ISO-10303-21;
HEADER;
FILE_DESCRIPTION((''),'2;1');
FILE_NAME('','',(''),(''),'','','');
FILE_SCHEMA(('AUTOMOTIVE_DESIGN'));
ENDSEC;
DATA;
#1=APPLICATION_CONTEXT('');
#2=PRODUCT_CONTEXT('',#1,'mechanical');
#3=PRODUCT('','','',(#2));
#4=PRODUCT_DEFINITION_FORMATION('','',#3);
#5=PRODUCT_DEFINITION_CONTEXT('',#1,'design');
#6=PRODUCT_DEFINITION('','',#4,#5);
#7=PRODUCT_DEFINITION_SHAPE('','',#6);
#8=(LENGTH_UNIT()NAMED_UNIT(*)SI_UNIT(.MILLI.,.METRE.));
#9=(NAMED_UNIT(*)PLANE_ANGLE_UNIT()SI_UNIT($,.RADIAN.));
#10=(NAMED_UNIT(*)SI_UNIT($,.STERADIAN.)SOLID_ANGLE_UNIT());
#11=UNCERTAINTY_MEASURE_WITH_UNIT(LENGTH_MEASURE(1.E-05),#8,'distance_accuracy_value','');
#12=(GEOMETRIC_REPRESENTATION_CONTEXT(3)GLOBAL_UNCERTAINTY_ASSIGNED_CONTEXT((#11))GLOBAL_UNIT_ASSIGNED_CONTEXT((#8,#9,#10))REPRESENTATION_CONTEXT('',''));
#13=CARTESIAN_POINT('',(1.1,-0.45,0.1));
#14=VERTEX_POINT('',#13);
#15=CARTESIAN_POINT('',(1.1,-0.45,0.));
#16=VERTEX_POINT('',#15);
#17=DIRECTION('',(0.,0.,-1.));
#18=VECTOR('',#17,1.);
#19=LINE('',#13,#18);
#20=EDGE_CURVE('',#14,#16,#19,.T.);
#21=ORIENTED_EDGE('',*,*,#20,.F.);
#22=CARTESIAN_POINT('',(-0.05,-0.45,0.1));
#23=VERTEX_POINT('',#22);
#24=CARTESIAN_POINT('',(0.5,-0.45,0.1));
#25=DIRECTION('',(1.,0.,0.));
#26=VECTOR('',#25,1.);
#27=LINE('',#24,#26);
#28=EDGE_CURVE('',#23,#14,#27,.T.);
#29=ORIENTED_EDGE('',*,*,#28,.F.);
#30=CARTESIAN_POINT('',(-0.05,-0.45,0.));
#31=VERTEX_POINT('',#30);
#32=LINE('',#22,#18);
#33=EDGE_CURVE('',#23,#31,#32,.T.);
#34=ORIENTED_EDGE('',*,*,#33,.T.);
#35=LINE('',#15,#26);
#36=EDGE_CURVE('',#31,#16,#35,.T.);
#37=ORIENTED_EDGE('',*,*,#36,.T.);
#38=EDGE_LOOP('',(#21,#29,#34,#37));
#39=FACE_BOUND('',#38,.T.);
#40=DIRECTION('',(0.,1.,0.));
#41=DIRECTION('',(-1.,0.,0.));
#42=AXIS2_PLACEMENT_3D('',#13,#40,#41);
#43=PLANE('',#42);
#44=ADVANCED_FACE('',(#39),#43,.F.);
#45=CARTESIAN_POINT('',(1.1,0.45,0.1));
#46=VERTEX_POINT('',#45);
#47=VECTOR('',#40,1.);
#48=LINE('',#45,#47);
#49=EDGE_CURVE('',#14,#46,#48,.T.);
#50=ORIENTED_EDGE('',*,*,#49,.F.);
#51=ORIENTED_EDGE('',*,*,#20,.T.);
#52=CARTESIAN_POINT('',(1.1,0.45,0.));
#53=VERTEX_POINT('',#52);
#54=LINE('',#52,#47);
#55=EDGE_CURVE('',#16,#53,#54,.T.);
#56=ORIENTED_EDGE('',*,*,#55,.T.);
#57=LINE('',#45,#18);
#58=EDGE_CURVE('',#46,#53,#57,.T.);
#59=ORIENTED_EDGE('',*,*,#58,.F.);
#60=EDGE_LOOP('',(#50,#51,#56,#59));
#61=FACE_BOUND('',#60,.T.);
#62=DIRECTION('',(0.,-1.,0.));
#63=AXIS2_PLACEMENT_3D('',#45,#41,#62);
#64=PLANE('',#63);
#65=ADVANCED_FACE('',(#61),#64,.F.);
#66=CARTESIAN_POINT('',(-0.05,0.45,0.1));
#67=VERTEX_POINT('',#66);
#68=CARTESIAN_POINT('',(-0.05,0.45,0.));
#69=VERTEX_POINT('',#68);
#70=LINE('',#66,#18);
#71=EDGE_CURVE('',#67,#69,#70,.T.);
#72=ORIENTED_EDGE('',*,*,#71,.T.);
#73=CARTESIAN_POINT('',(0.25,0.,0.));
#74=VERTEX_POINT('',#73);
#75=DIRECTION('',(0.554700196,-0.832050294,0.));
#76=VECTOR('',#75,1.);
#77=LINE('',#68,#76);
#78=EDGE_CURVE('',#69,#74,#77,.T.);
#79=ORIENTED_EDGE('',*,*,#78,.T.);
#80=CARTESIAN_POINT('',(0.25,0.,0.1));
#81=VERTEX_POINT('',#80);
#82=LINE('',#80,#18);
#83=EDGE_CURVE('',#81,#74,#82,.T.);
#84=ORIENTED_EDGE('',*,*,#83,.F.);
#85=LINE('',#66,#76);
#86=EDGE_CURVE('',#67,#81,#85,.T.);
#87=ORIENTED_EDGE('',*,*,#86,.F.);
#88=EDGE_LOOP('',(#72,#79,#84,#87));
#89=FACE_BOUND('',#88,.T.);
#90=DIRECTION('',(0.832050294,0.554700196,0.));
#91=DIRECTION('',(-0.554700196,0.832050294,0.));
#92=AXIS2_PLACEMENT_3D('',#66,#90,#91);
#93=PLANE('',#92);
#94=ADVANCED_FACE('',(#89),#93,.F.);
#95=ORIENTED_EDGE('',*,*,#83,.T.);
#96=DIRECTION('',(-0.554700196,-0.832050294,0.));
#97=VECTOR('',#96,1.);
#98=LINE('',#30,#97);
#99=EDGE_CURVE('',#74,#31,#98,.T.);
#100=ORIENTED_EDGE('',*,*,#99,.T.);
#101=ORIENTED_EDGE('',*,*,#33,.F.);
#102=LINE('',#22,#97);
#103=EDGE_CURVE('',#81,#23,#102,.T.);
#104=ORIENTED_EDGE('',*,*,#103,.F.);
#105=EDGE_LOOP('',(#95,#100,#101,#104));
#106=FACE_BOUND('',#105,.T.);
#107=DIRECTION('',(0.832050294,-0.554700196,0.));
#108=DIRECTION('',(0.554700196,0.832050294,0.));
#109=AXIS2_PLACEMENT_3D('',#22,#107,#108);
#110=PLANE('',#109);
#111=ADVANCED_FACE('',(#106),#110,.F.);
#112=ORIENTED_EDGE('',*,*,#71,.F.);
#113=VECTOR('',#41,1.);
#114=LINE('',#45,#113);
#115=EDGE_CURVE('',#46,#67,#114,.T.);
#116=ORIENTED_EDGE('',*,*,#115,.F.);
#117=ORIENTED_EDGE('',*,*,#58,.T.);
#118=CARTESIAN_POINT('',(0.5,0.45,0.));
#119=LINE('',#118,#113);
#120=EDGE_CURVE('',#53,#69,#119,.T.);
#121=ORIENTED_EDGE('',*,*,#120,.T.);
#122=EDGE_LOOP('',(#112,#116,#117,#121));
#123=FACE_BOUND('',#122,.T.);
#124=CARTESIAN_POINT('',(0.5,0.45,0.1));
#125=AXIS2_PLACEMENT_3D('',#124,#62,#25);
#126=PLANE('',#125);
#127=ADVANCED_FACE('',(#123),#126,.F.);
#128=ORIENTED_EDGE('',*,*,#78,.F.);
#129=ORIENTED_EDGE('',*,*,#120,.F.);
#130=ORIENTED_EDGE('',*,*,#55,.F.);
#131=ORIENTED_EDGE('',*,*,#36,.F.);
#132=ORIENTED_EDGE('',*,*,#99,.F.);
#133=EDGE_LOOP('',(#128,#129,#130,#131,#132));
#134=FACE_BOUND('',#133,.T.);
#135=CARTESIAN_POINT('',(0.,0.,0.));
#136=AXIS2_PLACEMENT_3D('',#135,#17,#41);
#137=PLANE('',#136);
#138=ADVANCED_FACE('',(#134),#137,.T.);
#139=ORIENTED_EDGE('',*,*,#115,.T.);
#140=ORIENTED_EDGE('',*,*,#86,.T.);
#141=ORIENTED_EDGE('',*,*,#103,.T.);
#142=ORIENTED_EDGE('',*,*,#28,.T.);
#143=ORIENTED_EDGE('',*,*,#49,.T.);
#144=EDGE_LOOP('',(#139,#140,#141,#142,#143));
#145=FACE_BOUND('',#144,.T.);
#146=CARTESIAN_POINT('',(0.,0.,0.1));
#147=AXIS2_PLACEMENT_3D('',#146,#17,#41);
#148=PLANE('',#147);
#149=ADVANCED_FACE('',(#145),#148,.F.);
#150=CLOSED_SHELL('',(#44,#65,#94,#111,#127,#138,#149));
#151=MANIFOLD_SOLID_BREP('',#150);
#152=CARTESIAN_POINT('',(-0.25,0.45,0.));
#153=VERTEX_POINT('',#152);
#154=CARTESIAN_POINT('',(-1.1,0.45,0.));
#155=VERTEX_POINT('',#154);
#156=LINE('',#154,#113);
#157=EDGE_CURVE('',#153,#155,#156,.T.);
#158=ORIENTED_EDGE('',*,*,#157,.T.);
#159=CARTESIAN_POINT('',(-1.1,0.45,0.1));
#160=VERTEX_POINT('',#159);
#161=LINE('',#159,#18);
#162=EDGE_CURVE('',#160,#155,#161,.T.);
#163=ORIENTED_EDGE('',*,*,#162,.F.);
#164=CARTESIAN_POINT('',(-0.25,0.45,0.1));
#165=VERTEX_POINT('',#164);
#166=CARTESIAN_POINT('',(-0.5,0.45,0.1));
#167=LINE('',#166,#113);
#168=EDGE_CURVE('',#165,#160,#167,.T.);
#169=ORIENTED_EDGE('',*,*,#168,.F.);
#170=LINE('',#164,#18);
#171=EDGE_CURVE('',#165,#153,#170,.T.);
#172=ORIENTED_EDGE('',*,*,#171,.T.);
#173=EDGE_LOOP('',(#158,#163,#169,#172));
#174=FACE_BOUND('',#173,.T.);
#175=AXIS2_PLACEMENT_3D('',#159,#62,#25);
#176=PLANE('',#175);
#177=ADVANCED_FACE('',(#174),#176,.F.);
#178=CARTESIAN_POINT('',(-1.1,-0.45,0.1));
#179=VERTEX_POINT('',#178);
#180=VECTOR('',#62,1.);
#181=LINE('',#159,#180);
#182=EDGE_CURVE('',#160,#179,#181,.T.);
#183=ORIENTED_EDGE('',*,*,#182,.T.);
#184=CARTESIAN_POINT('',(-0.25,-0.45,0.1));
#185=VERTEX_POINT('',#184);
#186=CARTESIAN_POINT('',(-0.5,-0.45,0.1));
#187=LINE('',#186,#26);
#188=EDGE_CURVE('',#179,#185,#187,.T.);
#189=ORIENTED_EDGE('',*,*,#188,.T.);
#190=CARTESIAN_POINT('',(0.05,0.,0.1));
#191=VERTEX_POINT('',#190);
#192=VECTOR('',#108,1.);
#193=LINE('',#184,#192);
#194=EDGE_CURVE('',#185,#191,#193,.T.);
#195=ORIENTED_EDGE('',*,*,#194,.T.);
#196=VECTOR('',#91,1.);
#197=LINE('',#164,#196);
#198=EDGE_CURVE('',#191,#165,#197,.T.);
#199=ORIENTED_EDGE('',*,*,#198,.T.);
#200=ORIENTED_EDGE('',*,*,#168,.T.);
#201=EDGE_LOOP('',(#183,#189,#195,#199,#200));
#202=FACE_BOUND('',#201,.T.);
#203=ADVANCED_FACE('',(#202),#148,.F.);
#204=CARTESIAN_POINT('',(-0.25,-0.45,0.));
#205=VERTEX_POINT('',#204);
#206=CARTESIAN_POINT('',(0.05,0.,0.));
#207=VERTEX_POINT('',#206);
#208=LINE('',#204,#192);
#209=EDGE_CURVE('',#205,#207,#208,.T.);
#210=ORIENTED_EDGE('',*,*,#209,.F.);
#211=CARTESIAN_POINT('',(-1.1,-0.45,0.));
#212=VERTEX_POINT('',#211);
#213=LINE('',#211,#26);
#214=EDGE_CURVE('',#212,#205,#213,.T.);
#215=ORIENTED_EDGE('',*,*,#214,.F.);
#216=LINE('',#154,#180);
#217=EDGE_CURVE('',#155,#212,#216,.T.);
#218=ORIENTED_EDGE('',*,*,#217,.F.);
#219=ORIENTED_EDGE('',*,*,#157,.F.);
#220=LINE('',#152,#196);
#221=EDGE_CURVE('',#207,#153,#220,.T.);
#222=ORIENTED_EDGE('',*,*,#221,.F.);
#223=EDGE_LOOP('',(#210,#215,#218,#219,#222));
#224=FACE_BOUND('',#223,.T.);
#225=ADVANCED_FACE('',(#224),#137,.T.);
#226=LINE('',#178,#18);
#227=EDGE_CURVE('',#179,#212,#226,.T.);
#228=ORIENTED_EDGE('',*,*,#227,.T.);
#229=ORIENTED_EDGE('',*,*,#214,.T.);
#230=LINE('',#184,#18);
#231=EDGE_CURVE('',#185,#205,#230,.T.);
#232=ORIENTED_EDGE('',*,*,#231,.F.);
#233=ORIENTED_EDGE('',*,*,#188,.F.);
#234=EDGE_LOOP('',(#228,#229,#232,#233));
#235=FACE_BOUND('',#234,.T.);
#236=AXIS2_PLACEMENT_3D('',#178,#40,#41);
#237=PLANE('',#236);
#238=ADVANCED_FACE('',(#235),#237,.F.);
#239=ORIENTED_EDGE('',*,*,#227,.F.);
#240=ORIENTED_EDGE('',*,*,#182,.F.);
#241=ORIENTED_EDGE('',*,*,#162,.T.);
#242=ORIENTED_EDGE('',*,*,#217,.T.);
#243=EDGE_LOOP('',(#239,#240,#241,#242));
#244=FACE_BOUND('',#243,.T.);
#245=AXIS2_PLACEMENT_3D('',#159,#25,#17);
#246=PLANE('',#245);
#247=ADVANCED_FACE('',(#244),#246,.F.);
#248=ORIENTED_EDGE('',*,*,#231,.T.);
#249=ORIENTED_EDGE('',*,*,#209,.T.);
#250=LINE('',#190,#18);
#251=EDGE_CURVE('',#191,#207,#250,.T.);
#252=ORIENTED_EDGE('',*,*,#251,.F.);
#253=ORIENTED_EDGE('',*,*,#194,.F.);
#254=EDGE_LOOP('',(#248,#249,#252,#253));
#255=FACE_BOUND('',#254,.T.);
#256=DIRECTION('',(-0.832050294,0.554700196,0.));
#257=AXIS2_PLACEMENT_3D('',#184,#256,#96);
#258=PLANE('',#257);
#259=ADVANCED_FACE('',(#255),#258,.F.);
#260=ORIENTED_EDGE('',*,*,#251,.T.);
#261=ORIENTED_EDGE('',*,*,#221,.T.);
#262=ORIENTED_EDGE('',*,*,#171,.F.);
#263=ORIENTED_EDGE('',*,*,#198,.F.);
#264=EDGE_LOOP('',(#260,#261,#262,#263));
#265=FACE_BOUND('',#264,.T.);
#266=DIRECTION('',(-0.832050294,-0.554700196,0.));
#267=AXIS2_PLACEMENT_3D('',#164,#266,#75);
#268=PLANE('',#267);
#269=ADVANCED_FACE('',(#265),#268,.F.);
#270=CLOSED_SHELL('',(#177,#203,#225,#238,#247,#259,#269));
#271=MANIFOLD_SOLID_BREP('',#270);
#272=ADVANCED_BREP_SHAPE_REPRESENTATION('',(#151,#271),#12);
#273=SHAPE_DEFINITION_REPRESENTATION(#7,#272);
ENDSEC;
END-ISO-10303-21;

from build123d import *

# Parameters (mm, degrees)
BOSS_EXTRU_1_DEPTH   = 0.1
BOSS_EXTRU_1_2_DEPTH = 0.1


with BuildPart() as part:
    # Esquisse1 → Boss.-Extru.1 (new body)
    with BuildSketch(Plane.XY):
        Polygon((-1.1, 0.45), (-0.5, 0.45), (-0.25, 0.45), (0.05, 0), (-0.25, -0.45), (-0.5, -0.45), (-1.1, -0.45), align=None)
    extrude(amount=BOSS_EXTRU_1_DEPTH)


with BuildPart() as body_2:
    # Esquisse1 → Boss.-Extru.1 2 (new body)
    with BuildSketch(Plane.XY):
        Polygon((1.1, 0.45), (0.5, 0.45), (-0.05, 0.45), (0.25, 0), (-0.05, -0.45), (0.5, -0.45), (1.1, -0.45), align=None)
    extrude(amount=BOSS_EXTRU_1_2_DEPTH)


solid = Compound([part.part, body_2.part])
